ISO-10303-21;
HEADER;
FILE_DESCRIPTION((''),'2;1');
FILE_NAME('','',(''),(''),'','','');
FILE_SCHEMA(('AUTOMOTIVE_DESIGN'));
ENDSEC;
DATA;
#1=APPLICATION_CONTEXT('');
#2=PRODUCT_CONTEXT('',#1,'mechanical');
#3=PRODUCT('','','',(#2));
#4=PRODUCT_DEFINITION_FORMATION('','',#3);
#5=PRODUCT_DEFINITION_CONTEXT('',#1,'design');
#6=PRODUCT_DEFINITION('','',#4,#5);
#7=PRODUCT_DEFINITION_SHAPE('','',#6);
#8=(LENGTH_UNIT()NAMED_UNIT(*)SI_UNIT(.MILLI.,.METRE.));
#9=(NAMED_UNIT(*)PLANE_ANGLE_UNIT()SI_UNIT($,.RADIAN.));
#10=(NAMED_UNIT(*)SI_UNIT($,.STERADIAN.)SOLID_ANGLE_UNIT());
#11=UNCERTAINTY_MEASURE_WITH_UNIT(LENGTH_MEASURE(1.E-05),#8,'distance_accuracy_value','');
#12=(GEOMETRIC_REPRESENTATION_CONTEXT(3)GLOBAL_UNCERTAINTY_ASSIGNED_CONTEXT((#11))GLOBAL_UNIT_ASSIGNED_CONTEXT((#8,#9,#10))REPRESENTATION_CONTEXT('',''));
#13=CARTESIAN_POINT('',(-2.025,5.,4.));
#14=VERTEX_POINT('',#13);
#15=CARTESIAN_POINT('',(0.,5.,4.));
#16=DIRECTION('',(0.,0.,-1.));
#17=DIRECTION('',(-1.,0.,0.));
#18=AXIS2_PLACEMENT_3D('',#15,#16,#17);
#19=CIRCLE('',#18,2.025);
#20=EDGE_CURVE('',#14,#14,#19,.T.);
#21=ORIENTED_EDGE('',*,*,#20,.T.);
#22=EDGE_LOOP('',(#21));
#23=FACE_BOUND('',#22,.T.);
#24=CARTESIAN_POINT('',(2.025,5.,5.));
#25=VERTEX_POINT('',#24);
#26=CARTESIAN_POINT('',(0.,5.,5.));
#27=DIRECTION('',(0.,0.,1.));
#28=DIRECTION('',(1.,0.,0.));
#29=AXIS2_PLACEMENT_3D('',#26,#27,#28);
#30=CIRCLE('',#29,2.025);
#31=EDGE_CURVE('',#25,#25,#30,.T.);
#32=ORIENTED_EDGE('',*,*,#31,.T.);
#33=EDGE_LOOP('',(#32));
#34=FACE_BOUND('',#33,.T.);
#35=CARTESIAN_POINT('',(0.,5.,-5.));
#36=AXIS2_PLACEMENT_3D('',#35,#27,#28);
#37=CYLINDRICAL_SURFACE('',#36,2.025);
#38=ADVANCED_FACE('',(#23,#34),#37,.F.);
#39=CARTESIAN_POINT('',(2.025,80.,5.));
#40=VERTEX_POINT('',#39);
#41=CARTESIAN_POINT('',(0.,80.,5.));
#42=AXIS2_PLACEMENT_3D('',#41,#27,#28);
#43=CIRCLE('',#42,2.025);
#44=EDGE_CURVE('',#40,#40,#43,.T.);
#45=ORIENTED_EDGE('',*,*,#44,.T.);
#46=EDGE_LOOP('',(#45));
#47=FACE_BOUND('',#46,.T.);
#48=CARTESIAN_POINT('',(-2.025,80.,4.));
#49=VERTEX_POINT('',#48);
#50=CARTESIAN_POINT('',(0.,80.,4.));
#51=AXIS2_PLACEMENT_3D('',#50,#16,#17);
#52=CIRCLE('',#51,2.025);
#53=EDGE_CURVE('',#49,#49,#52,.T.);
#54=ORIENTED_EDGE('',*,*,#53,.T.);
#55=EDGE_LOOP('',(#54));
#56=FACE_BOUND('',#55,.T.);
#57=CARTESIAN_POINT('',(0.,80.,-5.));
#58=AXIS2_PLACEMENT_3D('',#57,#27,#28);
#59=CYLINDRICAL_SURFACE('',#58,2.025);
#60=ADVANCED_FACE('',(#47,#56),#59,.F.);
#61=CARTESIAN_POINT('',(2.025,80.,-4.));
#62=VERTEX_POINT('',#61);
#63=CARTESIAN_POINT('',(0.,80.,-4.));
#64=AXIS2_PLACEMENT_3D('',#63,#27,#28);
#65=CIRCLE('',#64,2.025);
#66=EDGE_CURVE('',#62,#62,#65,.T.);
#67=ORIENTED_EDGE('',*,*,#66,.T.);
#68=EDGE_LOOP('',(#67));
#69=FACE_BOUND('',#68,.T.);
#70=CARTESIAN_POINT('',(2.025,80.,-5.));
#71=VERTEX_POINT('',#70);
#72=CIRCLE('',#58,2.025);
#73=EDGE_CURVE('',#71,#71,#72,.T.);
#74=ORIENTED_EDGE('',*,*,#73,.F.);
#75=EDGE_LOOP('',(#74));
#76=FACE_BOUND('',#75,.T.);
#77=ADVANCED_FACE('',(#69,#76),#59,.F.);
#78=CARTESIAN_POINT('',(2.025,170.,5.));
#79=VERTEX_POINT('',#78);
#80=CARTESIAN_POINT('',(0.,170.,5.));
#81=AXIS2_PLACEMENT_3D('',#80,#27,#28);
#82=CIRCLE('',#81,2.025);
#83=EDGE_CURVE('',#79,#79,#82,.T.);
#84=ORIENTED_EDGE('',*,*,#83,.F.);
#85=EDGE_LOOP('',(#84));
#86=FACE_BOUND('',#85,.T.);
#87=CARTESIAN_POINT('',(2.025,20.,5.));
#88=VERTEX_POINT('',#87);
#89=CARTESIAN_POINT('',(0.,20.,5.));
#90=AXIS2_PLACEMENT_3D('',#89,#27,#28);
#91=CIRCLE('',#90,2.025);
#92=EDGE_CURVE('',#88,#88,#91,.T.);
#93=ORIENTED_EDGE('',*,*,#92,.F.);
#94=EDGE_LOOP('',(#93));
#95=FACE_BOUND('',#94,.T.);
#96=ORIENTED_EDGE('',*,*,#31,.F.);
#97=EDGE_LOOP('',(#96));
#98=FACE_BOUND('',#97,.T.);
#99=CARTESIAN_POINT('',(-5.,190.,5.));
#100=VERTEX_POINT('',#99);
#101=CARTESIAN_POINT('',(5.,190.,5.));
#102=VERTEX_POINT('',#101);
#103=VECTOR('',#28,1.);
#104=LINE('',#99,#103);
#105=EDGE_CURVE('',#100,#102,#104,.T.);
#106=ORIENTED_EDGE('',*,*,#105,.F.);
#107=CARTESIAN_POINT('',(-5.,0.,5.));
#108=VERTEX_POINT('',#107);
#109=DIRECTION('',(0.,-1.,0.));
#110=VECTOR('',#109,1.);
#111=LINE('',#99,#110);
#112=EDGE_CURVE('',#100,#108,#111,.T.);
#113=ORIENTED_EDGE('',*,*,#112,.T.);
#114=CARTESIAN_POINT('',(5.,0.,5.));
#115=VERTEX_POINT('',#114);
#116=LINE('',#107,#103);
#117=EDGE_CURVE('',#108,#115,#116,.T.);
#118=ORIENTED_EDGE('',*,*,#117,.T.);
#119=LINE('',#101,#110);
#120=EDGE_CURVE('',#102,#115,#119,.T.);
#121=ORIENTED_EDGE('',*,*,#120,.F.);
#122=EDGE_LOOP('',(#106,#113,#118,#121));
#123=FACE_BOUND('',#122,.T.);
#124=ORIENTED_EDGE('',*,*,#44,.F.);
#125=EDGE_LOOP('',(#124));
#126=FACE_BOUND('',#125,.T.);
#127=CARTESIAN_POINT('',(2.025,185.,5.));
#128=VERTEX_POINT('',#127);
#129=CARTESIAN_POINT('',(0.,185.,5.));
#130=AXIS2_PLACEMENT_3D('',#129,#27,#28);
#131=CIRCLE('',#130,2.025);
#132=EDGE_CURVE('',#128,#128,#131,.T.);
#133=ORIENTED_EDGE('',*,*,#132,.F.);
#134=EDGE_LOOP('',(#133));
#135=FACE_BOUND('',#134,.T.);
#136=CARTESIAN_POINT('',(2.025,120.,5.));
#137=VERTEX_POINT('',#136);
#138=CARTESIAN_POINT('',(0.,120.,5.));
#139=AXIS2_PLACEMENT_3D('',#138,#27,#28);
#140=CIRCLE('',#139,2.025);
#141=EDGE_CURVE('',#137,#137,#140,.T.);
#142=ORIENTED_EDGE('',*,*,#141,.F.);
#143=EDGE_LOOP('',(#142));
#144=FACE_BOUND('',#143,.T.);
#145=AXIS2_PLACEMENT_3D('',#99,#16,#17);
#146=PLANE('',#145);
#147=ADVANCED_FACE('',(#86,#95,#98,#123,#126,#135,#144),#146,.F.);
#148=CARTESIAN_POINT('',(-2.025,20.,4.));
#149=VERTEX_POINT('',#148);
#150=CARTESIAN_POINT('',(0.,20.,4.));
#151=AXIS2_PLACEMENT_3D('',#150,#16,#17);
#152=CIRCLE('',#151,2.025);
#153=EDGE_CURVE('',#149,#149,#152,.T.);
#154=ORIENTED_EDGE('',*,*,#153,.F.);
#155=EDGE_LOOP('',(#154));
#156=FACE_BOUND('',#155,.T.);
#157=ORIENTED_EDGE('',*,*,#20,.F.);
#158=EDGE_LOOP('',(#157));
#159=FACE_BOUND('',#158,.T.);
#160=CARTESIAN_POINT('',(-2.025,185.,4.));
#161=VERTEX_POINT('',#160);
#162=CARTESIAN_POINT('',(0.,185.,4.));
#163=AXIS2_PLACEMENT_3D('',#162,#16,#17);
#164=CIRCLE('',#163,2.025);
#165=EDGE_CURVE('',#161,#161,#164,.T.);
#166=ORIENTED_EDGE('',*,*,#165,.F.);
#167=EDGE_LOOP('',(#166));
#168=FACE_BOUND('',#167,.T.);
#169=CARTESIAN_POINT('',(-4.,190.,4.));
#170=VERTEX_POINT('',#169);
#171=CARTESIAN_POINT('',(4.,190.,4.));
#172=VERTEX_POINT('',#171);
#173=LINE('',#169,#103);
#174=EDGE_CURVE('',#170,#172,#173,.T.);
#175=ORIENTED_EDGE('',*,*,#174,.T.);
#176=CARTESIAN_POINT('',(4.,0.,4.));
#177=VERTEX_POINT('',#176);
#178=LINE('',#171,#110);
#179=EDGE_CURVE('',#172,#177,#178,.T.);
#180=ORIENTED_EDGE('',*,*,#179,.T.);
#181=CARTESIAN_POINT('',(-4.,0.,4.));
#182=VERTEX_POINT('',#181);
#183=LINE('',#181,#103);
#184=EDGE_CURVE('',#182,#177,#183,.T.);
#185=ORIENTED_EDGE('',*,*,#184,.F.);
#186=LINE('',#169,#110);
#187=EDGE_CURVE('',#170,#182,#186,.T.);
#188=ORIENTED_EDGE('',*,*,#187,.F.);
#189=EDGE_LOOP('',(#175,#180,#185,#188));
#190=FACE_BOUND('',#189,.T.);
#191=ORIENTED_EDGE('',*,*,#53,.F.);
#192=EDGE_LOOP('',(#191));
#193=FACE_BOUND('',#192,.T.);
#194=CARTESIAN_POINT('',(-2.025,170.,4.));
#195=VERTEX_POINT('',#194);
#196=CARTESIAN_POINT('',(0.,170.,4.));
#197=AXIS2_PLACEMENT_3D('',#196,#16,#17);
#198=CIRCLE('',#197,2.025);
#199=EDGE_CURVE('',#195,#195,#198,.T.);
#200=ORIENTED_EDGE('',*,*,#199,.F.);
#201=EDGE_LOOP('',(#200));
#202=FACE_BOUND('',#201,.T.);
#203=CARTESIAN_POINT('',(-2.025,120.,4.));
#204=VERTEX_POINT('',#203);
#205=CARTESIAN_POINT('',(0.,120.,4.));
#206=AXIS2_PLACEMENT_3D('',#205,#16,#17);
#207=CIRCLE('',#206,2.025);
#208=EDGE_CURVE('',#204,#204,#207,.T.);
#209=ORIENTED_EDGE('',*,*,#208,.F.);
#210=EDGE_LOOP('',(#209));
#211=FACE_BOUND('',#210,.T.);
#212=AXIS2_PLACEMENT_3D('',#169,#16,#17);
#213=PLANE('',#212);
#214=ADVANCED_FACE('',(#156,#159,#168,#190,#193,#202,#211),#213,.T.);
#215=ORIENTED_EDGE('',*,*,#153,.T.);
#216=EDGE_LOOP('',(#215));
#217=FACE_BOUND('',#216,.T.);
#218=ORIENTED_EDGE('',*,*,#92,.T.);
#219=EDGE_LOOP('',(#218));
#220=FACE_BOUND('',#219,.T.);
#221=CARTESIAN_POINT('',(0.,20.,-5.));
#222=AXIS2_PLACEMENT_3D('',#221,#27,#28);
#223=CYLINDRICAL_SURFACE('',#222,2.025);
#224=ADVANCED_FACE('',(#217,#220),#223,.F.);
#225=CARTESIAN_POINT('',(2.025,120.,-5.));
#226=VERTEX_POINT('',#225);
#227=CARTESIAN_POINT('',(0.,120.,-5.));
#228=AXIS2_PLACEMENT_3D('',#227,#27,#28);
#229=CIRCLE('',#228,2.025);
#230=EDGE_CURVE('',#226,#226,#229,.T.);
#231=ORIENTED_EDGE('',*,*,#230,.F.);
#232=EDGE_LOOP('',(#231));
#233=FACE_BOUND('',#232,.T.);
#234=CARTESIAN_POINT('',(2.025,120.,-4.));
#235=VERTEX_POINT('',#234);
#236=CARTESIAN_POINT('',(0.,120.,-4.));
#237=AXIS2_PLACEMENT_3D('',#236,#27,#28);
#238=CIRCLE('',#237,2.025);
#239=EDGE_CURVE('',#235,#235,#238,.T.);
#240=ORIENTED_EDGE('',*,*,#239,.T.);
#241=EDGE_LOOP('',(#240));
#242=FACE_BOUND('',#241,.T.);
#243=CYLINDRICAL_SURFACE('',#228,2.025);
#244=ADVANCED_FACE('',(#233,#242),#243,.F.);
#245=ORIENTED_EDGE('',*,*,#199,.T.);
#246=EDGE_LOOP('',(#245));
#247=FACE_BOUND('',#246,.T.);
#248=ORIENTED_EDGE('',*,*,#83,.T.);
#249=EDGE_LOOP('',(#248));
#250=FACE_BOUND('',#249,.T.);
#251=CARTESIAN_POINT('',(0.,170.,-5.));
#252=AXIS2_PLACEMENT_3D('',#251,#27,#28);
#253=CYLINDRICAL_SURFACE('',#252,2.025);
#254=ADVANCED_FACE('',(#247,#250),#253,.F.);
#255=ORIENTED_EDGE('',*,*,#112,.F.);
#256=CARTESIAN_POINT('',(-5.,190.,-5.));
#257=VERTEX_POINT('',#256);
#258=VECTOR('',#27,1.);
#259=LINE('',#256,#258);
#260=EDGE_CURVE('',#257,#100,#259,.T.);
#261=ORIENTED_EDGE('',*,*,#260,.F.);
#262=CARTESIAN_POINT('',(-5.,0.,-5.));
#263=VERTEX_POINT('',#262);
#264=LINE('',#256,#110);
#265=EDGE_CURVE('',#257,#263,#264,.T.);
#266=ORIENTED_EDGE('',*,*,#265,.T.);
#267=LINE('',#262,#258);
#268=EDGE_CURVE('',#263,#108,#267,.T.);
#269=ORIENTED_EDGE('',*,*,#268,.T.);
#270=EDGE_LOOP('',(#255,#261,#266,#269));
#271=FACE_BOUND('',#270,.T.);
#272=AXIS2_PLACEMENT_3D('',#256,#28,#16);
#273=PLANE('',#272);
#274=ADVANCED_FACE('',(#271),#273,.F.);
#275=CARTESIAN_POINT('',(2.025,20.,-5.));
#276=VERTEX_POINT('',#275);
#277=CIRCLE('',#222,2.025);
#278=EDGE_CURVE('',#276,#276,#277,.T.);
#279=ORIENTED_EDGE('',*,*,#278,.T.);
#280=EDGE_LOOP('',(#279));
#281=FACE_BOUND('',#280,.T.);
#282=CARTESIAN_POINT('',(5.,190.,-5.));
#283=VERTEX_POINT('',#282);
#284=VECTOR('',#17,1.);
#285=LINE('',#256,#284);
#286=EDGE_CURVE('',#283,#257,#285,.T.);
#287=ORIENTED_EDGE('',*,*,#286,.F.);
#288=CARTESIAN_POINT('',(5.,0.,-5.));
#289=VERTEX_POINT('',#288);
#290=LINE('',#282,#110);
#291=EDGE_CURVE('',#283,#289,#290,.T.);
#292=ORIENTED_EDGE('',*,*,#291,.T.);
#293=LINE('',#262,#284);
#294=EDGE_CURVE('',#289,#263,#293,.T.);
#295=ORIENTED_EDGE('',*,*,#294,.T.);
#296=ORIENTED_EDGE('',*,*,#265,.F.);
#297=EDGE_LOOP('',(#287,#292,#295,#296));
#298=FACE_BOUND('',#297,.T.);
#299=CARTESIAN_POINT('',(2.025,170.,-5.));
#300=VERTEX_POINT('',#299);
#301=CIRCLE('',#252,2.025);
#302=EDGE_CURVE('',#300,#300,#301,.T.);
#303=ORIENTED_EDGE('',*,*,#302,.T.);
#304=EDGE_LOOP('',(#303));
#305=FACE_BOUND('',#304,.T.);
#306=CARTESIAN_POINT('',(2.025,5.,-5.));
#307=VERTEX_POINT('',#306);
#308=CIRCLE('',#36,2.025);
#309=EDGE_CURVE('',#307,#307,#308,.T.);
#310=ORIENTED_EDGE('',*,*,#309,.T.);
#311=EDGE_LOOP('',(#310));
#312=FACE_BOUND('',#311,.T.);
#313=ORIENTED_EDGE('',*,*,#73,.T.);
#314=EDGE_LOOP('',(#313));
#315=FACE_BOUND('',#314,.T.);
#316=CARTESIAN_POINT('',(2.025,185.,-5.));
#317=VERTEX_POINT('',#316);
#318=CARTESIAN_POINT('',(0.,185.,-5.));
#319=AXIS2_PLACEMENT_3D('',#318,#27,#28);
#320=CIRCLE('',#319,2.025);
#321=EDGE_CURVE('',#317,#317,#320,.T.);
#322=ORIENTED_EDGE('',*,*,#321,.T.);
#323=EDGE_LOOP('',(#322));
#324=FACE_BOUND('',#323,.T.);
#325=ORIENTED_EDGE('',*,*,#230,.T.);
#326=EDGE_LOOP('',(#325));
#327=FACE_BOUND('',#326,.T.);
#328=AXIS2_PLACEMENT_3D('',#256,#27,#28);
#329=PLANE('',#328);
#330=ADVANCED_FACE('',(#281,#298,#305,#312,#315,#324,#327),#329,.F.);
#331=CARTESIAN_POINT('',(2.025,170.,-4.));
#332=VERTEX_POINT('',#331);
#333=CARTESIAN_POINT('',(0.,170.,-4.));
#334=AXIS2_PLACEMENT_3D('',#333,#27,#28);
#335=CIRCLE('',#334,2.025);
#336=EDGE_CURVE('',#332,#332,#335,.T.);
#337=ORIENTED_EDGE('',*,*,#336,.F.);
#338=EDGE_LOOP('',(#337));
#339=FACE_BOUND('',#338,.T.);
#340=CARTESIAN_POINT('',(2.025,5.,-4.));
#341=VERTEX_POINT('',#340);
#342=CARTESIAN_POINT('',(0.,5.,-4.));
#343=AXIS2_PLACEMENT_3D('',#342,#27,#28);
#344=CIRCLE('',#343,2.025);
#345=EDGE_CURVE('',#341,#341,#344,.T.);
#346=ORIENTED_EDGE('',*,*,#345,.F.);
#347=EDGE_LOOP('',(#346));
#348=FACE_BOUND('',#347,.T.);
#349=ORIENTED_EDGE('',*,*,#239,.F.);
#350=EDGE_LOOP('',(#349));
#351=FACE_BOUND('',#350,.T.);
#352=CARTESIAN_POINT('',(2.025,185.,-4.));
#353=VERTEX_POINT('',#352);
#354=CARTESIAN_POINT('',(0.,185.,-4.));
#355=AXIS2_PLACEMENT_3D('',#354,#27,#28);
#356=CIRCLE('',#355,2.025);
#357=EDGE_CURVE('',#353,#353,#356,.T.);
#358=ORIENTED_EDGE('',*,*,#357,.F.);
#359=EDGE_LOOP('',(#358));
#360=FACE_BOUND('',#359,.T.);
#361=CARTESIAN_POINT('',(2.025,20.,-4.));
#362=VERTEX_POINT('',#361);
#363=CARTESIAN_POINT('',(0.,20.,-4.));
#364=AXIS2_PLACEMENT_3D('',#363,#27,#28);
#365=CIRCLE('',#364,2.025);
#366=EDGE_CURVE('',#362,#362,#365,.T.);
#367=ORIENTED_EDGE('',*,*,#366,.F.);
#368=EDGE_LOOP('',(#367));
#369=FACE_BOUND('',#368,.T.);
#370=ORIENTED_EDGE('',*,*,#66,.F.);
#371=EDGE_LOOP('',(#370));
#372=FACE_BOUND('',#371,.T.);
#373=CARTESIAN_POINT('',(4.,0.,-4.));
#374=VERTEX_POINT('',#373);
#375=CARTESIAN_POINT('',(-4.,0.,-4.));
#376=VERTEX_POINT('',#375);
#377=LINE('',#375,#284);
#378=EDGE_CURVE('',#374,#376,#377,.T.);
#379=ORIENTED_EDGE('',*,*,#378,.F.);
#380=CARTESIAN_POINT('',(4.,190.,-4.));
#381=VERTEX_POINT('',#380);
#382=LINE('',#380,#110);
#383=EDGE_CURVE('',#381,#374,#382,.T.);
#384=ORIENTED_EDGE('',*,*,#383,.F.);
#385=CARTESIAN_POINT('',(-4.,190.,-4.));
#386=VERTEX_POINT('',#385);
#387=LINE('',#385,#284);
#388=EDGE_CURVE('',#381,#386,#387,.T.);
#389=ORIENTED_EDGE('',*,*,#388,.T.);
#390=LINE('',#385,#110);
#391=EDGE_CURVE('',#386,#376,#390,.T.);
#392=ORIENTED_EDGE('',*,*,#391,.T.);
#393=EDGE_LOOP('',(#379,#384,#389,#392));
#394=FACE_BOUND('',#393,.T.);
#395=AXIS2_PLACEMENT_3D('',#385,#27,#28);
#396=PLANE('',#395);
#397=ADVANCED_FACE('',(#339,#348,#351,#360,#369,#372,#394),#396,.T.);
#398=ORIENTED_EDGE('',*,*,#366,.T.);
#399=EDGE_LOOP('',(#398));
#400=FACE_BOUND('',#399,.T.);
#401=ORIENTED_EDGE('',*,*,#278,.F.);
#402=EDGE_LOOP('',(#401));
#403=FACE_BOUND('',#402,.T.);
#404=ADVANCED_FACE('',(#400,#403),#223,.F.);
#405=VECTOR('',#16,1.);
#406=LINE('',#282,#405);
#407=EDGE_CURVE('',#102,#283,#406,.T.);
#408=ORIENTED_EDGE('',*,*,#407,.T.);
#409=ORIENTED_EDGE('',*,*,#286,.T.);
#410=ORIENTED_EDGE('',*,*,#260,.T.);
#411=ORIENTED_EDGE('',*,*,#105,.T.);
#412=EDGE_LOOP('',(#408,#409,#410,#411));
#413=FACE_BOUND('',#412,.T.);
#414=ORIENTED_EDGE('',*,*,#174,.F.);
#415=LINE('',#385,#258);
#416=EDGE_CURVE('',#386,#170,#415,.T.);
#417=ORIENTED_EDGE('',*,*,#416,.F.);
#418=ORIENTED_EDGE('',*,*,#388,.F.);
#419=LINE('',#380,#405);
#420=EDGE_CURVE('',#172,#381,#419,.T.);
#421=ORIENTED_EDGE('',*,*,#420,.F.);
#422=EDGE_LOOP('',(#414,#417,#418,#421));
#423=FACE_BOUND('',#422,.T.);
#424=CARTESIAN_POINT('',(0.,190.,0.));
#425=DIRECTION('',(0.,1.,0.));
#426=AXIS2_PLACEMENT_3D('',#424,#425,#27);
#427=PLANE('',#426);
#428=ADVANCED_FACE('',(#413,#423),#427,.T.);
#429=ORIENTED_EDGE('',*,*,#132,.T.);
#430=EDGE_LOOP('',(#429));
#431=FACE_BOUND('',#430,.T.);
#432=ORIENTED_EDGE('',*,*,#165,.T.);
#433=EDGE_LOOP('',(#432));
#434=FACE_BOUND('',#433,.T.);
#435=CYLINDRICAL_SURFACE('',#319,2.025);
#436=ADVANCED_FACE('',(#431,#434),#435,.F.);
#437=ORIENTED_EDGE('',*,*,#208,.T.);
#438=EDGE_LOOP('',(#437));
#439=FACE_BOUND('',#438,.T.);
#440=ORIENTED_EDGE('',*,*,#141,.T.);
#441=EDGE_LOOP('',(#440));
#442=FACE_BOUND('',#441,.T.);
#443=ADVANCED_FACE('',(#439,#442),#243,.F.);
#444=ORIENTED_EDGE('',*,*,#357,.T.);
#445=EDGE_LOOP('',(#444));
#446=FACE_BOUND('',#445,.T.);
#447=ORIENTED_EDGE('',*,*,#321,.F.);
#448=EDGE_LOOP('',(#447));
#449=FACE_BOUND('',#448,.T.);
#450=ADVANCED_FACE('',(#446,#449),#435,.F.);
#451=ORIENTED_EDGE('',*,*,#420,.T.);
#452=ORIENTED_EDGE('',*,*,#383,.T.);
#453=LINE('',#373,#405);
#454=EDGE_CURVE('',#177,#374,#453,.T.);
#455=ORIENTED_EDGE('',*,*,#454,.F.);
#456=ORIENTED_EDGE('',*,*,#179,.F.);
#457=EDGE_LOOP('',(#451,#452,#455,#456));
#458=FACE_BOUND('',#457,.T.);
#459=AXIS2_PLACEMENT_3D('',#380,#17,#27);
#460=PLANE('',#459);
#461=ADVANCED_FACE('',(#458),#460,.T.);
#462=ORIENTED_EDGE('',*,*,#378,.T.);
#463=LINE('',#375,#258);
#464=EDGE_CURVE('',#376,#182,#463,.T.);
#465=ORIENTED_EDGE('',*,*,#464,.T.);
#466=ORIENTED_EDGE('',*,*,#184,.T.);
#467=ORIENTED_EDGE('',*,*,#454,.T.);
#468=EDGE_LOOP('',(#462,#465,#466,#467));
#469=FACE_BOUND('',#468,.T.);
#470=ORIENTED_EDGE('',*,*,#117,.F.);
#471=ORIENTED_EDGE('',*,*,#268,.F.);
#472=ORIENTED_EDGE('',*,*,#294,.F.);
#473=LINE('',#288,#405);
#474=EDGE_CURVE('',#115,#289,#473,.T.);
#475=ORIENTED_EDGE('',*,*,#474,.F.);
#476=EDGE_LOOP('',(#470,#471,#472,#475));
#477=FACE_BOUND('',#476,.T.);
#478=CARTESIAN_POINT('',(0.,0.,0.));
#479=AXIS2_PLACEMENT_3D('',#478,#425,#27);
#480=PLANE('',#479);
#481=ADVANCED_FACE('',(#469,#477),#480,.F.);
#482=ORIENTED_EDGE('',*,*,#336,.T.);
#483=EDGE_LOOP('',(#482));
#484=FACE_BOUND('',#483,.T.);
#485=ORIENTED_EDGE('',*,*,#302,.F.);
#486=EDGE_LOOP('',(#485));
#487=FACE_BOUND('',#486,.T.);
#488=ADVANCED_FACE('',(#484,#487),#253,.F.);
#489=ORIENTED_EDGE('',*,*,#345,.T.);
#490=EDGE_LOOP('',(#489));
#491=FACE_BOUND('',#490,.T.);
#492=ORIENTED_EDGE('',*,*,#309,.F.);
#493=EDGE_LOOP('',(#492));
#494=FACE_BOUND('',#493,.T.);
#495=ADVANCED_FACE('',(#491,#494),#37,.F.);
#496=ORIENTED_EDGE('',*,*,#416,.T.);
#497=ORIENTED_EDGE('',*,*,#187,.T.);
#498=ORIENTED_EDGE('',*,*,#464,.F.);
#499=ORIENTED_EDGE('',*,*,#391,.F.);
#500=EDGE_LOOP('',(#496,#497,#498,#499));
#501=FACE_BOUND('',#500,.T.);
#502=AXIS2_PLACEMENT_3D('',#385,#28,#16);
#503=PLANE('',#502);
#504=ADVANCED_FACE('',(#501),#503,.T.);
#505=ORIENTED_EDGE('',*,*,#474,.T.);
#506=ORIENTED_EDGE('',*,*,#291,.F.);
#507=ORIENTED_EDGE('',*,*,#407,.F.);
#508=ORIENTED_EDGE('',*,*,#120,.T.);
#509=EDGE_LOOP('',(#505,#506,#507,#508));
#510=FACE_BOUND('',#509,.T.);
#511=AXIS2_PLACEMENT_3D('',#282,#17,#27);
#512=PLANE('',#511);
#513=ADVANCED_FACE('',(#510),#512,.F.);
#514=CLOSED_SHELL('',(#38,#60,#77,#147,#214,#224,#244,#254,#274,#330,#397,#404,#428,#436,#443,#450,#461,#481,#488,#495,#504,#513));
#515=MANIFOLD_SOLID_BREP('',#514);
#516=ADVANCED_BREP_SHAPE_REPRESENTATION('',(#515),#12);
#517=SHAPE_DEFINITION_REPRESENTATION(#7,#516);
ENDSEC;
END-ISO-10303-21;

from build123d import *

# Parameters (mm, degrees)
SKETCH1_W           = 10
SKETCH1_H           = 10
SKETCH1_W_2         = 8
SKETCH1_H_2         = 8
BOSS_EXTRUDE1_DEPTH = 190
SKETCH2_R           = 2.025
CUT_EXTRUDE1_DEPTH  = 191.328663107
SKETCH3_R           = 2.025
CUT_EXTRUDE2_DEPTH  = 191.328663107


with BuildPart() as part:
    # Sketch1 → Boss-Extrude1 (new body)
    with BuildSketch(Plane(origin=(0, 0, 0), x_dir=(1, 0, 0), z_dir=(0, 1, 0))):
        Rectangle(SKETCH1_W, SKETCH1_H)
        Rectangle(SKETCH1_W_2, SKETCH1_H_2, mode=Mode.SUBTRACT)
    extrude(amount=BOSS_EXTRUDE1_DEPTH)

    # Sketch2 → Cut-Extrude1 (cut, through all)
    with BuildSketch(Plane.XY.offset(5)):
        with Locations((0, 120)):
            Circle(SKETCH2_R)
        with Locations((0, 80)):
            Circle(SKETCH2_R)
    extrude(amount=-CUT_EXTRUDE1_DEPTH, mode=Mode.SUBTRACT)

    # Sketch3 → Cut-Extrude2 (cut, through all)
    with BuildSketch(Plane.XY.offset(5)):
        with Locations((0, 185)):
            Circle(SKETCH3_R)
        with Locations((0, 170)):
            Circle(SKETCH3_R)
        with Locations((0, 5)):
            Circle(SKETCH3_R)
        with Locations((0, 20)):
            Circle(SKETCH3_R)
    extrude(amount=-CUT_EXTRUDE2_DEPTH, mode=Mode.SUBTRACT)


solid = part.part
